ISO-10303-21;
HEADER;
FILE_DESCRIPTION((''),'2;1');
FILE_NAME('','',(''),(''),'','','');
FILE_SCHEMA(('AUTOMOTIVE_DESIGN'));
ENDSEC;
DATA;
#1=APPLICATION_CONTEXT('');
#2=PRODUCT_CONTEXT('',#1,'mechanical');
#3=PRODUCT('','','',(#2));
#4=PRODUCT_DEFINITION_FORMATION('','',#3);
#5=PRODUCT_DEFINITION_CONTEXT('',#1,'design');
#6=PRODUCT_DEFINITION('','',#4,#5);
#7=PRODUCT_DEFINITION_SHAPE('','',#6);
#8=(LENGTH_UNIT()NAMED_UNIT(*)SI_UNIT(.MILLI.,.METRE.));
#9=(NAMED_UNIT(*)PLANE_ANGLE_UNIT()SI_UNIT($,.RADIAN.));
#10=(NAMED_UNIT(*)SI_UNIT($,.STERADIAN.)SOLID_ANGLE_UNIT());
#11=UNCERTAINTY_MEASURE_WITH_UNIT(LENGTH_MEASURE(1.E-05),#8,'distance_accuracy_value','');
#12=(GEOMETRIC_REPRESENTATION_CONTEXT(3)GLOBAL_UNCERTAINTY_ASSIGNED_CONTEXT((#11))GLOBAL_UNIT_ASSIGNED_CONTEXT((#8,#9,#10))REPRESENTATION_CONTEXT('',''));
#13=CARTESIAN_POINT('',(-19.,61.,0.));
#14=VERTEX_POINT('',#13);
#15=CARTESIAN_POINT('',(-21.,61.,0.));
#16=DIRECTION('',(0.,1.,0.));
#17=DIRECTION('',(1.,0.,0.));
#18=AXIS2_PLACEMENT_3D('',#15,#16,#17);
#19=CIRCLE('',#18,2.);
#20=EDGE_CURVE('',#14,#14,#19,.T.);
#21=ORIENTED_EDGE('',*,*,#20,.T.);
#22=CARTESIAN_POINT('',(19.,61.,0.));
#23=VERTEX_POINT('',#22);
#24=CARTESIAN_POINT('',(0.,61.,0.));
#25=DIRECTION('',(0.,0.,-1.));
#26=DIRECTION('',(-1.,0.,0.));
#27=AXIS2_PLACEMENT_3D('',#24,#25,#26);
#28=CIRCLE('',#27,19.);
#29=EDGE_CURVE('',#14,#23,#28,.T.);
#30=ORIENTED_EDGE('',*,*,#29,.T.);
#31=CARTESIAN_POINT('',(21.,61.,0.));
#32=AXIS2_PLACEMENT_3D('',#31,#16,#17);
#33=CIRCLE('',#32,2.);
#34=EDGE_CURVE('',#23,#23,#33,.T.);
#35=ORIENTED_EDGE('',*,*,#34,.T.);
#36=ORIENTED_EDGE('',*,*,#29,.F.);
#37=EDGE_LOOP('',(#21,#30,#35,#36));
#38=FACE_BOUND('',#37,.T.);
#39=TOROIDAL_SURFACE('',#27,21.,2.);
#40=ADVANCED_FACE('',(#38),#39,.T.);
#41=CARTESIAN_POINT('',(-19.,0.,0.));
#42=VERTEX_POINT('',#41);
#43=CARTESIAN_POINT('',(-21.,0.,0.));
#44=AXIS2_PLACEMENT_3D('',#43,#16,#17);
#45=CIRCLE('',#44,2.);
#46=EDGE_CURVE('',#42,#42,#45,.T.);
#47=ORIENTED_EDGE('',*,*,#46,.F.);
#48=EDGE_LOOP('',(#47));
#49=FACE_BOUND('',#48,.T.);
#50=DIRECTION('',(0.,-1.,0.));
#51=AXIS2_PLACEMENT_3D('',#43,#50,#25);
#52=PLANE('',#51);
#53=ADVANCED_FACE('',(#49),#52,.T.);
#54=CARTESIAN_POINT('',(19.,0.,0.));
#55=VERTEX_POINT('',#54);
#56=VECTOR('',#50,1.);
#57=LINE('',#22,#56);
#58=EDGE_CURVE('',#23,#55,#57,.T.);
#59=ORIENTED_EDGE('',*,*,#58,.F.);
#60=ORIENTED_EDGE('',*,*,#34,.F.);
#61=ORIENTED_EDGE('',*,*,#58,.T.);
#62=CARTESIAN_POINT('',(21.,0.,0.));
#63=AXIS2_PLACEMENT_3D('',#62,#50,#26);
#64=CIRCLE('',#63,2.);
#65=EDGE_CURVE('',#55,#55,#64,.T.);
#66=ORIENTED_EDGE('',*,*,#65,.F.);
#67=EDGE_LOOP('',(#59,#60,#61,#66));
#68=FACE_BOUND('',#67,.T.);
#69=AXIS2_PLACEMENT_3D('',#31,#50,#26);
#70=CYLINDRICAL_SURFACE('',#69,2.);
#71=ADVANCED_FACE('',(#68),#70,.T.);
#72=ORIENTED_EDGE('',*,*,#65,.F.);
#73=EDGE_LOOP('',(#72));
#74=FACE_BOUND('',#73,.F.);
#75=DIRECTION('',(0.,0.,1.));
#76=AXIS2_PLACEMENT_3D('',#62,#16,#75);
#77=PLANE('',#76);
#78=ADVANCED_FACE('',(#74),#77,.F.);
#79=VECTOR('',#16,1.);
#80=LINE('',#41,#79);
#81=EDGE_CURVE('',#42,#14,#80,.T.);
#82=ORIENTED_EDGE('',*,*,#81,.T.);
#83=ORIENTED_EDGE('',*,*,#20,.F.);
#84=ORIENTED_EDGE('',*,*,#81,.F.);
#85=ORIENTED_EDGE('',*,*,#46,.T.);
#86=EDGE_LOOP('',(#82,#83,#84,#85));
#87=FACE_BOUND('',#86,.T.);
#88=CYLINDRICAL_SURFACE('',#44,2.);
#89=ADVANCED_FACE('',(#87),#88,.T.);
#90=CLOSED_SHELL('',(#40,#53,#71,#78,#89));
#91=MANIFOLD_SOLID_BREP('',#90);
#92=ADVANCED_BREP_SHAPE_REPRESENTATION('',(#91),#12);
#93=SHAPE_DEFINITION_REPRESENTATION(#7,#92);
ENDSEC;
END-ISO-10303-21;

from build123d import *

# Parameters (mm, degrees)
F1_R = 2


with BuildPart() as f2:
    # F2: sweep along a path in F0
    with BuildLine(Plane.XY) as f2_path:
        Line((-21, 0), (-21, 61))
        ThreePointArc((-21, 61), (0, 82), (21, 61))
        Line((21, 61), (21, 0))
    # F1 (on Front) → F2 (sweep)
    with BuildSketch(Plane.XZ):
        with Locations((-21, 0)):
            Circle(F1_R)
    sweep(path=f2_path.line)


solid = f2.part
